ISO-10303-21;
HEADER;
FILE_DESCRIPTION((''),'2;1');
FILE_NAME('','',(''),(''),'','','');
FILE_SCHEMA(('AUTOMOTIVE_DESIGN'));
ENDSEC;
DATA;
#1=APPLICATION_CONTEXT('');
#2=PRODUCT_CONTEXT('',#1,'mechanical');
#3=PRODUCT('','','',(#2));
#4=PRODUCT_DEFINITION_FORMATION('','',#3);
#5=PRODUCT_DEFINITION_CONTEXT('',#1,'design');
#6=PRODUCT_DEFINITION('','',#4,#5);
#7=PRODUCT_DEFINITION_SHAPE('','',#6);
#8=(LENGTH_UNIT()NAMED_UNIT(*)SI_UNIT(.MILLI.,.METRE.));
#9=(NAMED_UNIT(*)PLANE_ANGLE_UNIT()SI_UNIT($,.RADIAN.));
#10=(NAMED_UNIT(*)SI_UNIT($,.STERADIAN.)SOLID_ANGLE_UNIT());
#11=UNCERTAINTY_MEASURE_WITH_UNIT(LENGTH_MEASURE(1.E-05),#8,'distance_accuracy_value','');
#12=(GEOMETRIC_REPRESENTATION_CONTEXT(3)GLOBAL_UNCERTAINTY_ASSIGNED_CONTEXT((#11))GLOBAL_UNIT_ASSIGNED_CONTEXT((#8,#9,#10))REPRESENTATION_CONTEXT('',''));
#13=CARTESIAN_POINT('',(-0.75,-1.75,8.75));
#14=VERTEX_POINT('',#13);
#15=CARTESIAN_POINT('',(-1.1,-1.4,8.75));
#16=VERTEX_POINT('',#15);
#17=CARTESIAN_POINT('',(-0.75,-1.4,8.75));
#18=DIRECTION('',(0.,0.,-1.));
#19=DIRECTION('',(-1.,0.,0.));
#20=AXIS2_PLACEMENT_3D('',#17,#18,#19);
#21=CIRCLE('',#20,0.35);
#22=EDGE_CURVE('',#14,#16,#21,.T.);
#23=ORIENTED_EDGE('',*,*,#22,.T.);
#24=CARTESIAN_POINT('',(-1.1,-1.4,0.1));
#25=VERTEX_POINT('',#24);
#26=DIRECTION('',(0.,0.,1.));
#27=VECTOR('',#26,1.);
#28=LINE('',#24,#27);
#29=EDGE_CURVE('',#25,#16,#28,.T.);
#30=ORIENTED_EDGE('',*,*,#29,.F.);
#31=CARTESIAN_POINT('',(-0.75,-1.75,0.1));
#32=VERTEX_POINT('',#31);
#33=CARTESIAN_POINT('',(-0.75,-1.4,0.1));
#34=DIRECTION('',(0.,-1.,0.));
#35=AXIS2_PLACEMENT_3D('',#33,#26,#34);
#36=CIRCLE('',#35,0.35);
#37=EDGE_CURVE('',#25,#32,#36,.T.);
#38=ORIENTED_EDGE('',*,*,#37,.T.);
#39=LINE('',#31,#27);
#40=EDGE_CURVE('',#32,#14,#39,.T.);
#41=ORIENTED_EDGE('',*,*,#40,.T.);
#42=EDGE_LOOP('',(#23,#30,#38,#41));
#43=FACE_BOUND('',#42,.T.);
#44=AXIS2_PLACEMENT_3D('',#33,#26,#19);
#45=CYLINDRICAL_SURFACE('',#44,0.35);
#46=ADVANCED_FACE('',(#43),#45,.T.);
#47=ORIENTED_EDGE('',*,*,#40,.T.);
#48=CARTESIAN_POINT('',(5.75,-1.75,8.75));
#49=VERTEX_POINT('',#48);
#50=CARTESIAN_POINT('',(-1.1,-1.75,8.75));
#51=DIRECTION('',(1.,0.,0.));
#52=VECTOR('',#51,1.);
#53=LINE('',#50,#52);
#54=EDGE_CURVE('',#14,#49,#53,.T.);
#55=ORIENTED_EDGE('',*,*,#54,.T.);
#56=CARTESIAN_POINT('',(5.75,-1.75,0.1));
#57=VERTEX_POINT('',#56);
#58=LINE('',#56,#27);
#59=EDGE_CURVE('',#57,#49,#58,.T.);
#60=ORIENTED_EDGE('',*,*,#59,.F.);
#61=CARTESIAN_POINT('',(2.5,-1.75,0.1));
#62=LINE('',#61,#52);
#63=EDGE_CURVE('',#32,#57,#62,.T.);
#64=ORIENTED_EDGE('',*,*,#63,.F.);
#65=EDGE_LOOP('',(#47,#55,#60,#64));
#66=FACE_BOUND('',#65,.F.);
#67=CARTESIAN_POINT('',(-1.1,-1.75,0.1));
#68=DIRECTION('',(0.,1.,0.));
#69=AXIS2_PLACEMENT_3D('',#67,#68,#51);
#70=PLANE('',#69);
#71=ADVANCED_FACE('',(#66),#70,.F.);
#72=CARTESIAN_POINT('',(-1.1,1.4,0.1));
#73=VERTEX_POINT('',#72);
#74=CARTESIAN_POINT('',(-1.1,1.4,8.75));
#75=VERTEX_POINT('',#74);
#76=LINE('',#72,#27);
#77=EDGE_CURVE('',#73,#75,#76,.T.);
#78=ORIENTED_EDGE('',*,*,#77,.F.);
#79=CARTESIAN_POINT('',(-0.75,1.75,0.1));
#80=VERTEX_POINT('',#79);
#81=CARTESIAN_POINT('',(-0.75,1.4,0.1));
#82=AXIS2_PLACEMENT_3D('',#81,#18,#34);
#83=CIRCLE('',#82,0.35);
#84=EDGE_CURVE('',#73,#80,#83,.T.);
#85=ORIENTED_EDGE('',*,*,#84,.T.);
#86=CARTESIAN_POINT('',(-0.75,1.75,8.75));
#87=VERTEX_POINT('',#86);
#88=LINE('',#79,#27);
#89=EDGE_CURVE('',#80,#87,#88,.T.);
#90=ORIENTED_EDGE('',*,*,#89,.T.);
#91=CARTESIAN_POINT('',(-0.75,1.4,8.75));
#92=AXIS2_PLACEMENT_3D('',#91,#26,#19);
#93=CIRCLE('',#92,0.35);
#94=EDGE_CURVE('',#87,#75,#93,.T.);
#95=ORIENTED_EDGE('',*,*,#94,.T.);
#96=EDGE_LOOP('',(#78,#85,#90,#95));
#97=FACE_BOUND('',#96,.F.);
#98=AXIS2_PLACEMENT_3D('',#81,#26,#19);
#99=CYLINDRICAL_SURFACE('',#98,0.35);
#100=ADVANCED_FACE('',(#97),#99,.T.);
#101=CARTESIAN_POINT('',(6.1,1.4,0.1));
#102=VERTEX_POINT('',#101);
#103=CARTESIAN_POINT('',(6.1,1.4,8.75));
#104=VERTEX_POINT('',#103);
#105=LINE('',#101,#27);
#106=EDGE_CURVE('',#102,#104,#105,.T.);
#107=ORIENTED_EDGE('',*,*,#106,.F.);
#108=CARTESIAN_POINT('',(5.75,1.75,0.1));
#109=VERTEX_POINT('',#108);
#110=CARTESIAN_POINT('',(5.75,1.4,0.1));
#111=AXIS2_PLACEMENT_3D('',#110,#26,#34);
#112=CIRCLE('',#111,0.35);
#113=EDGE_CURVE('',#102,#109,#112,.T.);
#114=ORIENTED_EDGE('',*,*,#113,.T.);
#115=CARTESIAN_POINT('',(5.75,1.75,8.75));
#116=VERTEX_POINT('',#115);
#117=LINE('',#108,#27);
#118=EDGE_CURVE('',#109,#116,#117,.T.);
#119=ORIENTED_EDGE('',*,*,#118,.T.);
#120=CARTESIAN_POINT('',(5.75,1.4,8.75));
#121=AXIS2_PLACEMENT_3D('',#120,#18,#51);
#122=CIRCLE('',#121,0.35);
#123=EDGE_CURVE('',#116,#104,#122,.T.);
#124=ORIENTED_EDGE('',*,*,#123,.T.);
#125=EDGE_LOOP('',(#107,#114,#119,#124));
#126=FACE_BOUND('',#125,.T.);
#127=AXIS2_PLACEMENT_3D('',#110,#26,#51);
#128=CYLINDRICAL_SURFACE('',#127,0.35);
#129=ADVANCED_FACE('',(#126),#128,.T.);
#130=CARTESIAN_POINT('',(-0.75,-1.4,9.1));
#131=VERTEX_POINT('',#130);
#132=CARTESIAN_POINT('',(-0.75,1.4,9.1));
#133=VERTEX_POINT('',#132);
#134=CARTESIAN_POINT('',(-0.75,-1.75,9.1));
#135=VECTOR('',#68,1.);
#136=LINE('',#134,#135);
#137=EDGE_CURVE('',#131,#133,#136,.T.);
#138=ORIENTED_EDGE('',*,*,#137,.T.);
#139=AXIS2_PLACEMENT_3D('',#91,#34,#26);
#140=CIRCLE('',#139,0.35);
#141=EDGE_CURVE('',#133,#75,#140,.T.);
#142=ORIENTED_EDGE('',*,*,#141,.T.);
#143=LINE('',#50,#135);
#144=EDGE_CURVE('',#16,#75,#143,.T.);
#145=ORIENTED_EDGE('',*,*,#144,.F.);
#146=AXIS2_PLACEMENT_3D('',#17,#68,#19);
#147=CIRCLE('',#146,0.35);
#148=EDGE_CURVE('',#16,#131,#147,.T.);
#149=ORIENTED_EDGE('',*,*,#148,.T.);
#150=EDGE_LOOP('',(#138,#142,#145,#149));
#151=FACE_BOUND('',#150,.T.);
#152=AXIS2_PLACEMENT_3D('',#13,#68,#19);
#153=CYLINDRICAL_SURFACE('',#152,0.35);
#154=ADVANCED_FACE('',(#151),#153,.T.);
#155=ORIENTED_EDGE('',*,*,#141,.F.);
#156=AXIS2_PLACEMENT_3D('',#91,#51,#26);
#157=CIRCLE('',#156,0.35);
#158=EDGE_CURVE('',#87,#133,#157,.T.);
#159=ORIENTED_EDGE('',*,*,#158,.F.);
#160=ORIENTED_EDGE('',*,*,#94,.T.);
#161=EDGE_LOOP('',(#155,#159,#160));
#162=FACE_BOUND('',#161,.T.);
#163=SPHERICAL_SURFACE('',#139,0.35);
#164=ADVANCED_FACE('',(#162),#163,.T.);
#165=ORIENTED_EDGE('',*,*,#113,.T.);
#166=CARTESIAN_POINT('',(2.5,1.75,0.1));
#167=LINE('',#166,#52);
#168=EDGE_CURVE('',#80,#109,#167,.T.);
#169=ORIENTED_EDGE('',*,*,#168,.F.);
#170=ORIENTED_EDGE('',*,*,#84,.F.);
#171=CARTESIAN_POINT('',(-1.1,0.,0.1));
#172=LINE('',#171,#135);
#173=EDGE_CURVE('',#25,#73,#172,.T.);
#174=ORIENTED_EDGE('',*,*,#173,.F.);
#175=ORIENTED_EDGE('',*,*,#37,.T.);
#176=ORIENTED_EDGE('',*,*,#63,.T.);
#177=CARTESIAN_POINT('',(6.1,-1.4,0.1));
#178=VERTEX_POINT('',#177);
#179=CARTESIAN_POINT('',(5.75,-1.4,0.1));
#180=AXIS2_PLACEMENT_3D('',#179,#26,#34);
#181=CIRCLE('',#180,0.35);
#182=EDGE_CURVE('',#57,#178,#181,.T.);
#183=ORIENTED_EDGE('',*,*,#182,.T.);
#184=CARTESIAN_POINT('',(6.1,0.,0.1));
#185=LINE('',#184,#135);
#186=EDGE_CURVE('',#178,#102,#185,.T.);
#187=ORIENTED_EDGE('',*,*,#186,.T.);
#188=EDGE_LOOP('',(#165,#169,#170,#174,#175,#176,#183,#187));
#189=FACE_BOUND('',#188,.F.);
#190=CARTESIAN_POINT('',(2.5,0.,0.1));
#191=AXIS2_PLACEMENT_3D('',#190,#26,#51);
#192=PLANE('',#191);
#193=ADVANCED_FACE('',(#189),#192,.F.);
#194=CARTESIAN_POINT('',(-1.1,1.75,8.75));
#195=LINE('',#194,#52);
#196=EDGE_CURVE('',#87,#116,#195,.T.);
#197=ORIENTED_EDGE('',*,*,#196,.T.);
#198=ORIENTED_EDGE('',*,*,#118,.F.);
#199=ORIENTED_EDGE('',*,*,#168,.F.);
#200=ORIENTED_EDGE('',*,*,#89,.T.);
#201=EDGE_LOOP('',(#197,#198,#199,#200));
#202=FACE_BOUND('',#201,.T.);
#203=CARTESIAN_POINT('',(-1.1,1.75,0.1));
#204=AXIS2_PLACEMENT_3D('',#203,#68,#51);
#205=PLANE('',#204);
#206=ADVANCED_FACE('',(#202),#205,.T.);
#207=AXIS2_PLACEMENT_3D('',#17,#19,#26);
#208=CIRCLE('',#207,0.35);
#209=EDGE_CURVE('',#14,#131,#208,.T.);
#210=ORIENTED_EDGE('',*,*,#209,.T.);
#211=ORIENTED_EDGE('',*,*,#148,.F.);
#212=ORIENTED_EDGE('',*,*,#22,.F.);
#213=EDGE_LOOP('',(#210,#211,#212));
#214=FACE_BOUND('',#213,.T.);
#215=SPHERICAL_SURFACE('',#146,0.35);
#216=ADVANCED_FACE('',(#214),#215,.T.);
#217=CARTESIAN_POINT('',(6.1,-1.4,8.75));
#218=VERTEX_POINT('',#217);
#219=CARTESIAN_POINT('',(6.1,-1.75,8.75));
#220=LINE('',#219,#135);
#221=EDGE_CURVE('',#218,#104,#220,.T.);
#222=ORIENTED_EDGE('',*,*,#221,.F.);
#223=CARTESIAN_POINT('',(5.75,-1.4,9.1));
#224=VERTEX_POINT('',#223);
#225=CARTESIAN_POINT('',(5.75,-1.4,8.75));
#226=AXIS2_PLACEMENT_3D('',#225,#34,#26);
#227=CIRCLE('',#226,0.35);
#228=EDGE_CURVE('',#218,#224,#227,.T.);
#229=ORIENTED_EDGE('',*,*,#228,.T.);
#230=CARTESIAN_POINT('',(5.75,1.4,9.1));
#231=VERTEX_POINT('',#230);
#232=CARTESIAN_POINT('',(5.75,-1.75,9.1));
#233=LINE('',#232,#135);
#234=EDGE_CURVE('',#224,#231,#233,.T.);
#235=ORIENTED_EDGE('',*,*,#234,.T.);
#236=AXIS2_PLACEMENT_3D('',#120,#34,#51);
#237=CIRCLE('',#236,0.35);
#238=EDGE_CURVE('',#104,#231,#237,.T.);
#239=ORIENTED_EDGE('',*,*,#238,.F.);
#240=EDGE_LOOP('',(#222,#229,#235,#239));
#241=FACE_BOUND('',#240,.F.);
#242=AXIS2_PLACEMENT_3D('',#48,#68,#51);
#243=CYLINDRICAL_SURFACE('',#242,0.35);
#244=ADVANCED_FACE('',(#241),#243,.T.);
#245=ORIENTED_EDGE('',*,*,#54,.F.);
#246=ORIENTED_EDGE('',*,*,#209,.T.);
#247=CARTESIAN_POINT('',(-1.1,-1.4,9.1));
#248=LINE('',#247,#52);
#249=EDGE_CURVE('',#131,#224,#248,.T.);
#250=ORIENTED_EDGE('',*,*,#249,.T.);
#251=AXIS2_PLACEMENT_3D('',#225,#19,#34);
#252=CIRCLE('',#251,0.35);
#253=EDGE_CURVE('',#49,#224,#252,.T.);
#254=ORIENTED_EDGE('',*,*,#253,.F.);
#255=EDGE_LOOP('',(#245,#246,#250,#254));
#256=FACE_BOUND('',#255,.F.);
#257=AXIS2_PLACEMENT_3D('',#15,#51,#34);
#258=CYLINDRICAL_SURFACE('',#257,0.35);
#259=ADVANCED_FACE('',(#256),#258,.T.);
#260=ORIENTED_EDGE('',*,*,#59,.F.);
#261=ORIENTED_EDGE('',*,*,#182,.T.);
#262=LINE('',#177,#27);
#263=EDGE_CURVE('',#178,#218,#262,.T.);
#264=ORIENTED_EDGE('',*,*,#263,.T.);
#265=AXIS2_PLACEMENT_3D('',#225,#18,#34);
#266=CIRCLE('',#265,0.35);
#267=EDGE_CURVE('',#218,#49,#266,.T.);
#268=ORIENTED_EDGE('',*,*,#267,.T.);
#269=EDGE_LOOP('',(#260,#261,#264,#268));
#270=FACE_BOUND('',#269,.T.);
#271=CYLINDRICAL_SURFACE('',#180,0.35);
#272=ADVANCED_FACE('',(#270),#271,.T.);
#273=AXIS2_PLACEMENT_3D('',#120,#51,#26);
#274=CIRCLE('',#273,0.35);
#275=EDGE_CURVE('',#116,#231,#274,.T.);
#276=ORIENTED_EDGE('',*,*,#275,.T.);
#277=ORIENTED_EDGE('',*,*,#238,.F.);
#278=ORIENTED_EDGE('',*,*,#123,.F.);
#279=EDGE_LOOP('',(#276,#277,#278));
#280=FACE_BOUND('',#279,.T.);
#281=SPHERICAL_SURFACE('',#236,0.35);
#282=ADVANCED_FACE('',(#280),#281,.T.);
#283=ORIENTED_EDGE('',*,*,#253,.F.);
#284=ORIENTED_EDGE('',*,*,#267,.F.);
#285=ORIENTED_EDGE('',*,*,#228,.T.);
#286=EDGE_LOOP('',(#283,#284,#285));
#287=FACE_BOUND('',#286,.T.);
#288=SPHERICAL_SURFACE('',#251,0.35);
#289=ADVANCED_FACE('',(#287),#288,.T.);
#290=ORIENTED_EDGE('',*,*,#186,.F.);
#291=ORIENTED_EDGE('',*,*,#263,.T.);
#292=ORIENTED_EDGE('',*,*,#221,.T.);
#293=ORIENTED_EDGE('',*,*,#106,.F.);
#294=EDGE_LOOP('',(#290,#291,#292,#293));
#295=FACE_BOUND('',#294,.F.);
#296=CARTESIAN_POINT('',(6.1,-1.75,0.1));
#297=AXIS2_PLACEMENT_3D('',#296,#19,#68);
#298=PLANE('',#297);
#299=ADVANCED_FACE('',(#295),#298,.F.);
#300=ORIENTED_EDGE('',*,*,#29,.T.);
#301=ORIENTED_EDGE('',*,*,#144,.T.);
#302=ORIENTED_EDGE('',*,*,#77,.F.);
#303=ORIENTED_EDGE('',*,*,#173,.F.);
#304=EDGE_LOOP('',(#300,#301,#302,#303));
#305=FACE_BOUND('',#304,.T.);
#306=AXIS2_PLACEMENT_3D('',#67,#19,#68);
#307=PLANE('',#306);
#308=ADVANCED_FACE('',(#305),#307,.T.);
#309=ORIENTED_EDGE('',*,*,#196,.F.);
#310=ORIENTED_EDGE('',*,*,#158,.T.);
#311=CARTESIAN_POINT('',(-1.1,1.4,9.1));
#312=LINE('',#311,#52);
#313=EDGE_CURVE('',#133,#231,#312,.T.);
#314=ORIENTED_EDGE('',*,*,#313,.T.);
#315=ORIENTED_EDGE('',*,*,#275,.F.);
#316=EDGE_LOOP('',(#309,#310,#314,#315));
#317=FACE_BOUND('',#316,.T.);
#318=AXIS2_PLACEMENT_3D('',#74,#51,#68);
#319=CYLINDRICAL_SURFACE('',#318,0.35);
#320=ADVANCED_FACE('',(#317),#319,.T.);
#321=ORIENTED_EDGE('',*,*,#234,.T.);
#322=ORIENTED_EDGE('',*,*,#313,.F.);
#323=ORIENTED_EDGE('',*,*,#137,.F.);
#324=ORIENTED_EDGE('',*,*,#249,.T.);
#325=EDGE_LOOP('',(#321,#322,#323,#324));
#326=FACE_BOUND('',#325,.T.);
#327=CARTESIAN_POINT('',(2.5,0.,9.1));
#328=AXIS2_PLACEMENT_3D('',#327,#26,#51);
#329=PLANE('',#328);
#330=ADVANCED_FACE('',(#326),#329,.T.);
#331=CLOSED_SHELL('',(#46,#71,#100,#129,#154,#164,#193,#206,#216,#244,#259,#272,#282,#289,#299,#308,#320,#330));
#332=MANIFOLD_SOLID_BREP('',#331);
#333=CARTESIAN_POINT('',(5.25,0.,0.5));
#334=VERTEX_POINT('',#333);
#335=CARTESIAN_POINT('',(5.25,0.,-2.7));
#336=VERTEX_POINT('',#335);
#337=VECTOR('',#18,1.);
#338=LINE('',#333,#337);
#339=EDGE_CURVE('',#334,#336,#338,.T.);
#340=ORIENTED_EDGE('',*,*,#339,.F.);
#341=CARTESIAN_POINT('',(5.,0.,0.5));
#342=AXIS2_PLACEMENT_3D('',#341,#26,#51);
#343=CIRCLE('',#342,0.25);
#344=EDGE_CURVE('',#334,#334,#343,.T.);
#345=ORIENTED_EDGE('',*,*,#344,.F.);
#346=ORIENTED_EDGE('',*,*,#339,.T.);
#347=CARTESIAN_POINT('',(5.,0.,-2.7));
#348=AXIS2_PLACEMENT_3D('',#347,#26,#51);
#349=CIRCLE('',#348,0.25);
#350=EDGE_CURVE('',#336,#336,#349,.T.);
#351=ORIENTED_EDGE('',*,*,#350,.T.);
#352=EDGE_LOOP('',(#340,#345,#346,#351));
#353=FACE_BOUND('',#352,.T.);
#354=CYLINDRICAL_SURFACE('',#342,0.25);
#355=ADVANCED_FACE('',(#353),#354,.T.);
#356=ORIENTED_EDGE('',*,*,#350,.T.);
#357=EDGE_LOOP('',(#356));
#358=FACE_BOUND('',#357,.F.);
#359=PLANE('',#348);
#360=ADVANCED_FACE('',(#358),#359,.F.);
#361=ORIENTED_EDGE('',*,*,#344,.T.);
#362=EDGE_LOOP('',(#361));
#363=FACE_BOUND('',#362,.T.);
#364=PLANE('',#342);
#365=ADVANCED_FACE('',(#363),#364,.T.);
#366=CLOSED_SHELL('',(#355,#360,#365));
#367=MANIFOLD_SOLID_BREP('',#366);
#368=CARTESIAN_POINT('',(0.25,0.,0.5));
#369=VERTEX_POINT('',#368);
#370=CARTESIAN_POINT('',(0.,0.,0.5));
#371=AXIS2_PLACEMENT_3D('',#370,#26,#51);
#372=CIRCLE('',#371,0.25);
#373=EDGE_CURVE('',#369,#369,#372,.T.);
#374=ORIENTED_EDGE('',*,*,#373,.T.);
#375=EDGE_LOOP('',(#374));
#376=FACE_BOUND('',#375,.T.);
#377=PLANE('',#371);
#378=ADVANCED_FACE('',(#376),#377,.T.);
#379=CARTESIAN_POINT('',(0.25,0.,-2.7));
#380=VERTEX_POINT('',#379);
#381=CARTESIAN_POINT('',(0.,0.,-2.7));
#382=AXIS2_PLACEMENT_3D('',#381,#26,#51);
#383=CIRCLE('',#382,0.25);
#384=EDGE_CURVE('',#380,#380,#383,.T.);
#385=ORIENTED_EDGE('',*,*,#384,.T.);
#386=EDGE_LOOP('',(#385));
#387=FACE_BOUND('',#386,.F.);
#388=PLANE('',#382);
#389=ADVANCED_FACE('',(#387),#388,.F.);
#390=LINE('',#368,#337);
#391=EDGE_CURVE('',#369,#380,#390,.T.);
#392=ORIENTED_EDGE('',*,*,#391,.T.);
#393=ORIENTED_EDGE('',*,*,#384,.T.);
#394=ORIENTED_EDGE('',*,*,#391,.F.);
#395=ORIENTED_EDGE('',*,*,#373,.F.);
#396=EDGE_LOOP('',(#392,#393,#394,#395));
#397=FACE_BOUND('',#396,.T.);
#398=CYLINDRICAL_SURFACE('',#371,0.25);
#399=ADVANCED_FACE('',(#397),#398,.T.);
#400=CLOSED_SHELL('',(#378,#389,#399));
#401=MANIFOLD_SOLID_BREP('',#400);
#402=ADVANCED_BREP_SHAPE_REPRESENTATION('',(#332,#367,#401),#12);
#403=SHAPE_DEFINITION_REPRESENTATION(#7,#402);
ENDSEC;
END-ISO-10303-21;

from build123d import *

# Parameters (mm, degrees)
SKETCH_W     = 7.2
SKETCH_H     = 3.5
PAD_DEPTH    = 9
FILLET_R     = 0.35
SKETCH001_R  = 0.25
PAD001_DEPTH = 3.2


with BuildPart() as fillet_body:
    # Sketch → Pad (new body)
    with BuildSketch(Plane.XY.offset(0.1)):
        with Locations((2.5, 0)):
            Rectangle(SKETCH_W, SKETCH_H)
    extrude(amount=PAD_DEPTH)

    # Fillet
    fillet_edges = [fillet_body.edges().sort_by_distance(p)[0] for p in [
        (-1.1, 0, 9.1),
        (-1.1, -1.75, 4.6),
        (2.5, -1.75, 9.1),
        (6.1, -1.75, 4.6),
        (6.1, 0, 9.1),
        (6.1, 1.75, 4.6),
        (2.5, 1.75, 9.1),
        (-1.1, 1.75, 4.6),
    ]]
    fillet(fillet_edges, radius=FILLET_R)


with BuildPart() as pad001:
    # Sketch001 → Pad001 (new body)
    with BuildSketch(Plane.XY.offset(0.5)):
        Circle(SKETCH001_R)
        with Locations((5, 0)):
            Circle(SKETCH001_R)
    extrude(amount=-PAD001_DEPTH)


solid = Compound([fillet_body.part, pad001.part])
